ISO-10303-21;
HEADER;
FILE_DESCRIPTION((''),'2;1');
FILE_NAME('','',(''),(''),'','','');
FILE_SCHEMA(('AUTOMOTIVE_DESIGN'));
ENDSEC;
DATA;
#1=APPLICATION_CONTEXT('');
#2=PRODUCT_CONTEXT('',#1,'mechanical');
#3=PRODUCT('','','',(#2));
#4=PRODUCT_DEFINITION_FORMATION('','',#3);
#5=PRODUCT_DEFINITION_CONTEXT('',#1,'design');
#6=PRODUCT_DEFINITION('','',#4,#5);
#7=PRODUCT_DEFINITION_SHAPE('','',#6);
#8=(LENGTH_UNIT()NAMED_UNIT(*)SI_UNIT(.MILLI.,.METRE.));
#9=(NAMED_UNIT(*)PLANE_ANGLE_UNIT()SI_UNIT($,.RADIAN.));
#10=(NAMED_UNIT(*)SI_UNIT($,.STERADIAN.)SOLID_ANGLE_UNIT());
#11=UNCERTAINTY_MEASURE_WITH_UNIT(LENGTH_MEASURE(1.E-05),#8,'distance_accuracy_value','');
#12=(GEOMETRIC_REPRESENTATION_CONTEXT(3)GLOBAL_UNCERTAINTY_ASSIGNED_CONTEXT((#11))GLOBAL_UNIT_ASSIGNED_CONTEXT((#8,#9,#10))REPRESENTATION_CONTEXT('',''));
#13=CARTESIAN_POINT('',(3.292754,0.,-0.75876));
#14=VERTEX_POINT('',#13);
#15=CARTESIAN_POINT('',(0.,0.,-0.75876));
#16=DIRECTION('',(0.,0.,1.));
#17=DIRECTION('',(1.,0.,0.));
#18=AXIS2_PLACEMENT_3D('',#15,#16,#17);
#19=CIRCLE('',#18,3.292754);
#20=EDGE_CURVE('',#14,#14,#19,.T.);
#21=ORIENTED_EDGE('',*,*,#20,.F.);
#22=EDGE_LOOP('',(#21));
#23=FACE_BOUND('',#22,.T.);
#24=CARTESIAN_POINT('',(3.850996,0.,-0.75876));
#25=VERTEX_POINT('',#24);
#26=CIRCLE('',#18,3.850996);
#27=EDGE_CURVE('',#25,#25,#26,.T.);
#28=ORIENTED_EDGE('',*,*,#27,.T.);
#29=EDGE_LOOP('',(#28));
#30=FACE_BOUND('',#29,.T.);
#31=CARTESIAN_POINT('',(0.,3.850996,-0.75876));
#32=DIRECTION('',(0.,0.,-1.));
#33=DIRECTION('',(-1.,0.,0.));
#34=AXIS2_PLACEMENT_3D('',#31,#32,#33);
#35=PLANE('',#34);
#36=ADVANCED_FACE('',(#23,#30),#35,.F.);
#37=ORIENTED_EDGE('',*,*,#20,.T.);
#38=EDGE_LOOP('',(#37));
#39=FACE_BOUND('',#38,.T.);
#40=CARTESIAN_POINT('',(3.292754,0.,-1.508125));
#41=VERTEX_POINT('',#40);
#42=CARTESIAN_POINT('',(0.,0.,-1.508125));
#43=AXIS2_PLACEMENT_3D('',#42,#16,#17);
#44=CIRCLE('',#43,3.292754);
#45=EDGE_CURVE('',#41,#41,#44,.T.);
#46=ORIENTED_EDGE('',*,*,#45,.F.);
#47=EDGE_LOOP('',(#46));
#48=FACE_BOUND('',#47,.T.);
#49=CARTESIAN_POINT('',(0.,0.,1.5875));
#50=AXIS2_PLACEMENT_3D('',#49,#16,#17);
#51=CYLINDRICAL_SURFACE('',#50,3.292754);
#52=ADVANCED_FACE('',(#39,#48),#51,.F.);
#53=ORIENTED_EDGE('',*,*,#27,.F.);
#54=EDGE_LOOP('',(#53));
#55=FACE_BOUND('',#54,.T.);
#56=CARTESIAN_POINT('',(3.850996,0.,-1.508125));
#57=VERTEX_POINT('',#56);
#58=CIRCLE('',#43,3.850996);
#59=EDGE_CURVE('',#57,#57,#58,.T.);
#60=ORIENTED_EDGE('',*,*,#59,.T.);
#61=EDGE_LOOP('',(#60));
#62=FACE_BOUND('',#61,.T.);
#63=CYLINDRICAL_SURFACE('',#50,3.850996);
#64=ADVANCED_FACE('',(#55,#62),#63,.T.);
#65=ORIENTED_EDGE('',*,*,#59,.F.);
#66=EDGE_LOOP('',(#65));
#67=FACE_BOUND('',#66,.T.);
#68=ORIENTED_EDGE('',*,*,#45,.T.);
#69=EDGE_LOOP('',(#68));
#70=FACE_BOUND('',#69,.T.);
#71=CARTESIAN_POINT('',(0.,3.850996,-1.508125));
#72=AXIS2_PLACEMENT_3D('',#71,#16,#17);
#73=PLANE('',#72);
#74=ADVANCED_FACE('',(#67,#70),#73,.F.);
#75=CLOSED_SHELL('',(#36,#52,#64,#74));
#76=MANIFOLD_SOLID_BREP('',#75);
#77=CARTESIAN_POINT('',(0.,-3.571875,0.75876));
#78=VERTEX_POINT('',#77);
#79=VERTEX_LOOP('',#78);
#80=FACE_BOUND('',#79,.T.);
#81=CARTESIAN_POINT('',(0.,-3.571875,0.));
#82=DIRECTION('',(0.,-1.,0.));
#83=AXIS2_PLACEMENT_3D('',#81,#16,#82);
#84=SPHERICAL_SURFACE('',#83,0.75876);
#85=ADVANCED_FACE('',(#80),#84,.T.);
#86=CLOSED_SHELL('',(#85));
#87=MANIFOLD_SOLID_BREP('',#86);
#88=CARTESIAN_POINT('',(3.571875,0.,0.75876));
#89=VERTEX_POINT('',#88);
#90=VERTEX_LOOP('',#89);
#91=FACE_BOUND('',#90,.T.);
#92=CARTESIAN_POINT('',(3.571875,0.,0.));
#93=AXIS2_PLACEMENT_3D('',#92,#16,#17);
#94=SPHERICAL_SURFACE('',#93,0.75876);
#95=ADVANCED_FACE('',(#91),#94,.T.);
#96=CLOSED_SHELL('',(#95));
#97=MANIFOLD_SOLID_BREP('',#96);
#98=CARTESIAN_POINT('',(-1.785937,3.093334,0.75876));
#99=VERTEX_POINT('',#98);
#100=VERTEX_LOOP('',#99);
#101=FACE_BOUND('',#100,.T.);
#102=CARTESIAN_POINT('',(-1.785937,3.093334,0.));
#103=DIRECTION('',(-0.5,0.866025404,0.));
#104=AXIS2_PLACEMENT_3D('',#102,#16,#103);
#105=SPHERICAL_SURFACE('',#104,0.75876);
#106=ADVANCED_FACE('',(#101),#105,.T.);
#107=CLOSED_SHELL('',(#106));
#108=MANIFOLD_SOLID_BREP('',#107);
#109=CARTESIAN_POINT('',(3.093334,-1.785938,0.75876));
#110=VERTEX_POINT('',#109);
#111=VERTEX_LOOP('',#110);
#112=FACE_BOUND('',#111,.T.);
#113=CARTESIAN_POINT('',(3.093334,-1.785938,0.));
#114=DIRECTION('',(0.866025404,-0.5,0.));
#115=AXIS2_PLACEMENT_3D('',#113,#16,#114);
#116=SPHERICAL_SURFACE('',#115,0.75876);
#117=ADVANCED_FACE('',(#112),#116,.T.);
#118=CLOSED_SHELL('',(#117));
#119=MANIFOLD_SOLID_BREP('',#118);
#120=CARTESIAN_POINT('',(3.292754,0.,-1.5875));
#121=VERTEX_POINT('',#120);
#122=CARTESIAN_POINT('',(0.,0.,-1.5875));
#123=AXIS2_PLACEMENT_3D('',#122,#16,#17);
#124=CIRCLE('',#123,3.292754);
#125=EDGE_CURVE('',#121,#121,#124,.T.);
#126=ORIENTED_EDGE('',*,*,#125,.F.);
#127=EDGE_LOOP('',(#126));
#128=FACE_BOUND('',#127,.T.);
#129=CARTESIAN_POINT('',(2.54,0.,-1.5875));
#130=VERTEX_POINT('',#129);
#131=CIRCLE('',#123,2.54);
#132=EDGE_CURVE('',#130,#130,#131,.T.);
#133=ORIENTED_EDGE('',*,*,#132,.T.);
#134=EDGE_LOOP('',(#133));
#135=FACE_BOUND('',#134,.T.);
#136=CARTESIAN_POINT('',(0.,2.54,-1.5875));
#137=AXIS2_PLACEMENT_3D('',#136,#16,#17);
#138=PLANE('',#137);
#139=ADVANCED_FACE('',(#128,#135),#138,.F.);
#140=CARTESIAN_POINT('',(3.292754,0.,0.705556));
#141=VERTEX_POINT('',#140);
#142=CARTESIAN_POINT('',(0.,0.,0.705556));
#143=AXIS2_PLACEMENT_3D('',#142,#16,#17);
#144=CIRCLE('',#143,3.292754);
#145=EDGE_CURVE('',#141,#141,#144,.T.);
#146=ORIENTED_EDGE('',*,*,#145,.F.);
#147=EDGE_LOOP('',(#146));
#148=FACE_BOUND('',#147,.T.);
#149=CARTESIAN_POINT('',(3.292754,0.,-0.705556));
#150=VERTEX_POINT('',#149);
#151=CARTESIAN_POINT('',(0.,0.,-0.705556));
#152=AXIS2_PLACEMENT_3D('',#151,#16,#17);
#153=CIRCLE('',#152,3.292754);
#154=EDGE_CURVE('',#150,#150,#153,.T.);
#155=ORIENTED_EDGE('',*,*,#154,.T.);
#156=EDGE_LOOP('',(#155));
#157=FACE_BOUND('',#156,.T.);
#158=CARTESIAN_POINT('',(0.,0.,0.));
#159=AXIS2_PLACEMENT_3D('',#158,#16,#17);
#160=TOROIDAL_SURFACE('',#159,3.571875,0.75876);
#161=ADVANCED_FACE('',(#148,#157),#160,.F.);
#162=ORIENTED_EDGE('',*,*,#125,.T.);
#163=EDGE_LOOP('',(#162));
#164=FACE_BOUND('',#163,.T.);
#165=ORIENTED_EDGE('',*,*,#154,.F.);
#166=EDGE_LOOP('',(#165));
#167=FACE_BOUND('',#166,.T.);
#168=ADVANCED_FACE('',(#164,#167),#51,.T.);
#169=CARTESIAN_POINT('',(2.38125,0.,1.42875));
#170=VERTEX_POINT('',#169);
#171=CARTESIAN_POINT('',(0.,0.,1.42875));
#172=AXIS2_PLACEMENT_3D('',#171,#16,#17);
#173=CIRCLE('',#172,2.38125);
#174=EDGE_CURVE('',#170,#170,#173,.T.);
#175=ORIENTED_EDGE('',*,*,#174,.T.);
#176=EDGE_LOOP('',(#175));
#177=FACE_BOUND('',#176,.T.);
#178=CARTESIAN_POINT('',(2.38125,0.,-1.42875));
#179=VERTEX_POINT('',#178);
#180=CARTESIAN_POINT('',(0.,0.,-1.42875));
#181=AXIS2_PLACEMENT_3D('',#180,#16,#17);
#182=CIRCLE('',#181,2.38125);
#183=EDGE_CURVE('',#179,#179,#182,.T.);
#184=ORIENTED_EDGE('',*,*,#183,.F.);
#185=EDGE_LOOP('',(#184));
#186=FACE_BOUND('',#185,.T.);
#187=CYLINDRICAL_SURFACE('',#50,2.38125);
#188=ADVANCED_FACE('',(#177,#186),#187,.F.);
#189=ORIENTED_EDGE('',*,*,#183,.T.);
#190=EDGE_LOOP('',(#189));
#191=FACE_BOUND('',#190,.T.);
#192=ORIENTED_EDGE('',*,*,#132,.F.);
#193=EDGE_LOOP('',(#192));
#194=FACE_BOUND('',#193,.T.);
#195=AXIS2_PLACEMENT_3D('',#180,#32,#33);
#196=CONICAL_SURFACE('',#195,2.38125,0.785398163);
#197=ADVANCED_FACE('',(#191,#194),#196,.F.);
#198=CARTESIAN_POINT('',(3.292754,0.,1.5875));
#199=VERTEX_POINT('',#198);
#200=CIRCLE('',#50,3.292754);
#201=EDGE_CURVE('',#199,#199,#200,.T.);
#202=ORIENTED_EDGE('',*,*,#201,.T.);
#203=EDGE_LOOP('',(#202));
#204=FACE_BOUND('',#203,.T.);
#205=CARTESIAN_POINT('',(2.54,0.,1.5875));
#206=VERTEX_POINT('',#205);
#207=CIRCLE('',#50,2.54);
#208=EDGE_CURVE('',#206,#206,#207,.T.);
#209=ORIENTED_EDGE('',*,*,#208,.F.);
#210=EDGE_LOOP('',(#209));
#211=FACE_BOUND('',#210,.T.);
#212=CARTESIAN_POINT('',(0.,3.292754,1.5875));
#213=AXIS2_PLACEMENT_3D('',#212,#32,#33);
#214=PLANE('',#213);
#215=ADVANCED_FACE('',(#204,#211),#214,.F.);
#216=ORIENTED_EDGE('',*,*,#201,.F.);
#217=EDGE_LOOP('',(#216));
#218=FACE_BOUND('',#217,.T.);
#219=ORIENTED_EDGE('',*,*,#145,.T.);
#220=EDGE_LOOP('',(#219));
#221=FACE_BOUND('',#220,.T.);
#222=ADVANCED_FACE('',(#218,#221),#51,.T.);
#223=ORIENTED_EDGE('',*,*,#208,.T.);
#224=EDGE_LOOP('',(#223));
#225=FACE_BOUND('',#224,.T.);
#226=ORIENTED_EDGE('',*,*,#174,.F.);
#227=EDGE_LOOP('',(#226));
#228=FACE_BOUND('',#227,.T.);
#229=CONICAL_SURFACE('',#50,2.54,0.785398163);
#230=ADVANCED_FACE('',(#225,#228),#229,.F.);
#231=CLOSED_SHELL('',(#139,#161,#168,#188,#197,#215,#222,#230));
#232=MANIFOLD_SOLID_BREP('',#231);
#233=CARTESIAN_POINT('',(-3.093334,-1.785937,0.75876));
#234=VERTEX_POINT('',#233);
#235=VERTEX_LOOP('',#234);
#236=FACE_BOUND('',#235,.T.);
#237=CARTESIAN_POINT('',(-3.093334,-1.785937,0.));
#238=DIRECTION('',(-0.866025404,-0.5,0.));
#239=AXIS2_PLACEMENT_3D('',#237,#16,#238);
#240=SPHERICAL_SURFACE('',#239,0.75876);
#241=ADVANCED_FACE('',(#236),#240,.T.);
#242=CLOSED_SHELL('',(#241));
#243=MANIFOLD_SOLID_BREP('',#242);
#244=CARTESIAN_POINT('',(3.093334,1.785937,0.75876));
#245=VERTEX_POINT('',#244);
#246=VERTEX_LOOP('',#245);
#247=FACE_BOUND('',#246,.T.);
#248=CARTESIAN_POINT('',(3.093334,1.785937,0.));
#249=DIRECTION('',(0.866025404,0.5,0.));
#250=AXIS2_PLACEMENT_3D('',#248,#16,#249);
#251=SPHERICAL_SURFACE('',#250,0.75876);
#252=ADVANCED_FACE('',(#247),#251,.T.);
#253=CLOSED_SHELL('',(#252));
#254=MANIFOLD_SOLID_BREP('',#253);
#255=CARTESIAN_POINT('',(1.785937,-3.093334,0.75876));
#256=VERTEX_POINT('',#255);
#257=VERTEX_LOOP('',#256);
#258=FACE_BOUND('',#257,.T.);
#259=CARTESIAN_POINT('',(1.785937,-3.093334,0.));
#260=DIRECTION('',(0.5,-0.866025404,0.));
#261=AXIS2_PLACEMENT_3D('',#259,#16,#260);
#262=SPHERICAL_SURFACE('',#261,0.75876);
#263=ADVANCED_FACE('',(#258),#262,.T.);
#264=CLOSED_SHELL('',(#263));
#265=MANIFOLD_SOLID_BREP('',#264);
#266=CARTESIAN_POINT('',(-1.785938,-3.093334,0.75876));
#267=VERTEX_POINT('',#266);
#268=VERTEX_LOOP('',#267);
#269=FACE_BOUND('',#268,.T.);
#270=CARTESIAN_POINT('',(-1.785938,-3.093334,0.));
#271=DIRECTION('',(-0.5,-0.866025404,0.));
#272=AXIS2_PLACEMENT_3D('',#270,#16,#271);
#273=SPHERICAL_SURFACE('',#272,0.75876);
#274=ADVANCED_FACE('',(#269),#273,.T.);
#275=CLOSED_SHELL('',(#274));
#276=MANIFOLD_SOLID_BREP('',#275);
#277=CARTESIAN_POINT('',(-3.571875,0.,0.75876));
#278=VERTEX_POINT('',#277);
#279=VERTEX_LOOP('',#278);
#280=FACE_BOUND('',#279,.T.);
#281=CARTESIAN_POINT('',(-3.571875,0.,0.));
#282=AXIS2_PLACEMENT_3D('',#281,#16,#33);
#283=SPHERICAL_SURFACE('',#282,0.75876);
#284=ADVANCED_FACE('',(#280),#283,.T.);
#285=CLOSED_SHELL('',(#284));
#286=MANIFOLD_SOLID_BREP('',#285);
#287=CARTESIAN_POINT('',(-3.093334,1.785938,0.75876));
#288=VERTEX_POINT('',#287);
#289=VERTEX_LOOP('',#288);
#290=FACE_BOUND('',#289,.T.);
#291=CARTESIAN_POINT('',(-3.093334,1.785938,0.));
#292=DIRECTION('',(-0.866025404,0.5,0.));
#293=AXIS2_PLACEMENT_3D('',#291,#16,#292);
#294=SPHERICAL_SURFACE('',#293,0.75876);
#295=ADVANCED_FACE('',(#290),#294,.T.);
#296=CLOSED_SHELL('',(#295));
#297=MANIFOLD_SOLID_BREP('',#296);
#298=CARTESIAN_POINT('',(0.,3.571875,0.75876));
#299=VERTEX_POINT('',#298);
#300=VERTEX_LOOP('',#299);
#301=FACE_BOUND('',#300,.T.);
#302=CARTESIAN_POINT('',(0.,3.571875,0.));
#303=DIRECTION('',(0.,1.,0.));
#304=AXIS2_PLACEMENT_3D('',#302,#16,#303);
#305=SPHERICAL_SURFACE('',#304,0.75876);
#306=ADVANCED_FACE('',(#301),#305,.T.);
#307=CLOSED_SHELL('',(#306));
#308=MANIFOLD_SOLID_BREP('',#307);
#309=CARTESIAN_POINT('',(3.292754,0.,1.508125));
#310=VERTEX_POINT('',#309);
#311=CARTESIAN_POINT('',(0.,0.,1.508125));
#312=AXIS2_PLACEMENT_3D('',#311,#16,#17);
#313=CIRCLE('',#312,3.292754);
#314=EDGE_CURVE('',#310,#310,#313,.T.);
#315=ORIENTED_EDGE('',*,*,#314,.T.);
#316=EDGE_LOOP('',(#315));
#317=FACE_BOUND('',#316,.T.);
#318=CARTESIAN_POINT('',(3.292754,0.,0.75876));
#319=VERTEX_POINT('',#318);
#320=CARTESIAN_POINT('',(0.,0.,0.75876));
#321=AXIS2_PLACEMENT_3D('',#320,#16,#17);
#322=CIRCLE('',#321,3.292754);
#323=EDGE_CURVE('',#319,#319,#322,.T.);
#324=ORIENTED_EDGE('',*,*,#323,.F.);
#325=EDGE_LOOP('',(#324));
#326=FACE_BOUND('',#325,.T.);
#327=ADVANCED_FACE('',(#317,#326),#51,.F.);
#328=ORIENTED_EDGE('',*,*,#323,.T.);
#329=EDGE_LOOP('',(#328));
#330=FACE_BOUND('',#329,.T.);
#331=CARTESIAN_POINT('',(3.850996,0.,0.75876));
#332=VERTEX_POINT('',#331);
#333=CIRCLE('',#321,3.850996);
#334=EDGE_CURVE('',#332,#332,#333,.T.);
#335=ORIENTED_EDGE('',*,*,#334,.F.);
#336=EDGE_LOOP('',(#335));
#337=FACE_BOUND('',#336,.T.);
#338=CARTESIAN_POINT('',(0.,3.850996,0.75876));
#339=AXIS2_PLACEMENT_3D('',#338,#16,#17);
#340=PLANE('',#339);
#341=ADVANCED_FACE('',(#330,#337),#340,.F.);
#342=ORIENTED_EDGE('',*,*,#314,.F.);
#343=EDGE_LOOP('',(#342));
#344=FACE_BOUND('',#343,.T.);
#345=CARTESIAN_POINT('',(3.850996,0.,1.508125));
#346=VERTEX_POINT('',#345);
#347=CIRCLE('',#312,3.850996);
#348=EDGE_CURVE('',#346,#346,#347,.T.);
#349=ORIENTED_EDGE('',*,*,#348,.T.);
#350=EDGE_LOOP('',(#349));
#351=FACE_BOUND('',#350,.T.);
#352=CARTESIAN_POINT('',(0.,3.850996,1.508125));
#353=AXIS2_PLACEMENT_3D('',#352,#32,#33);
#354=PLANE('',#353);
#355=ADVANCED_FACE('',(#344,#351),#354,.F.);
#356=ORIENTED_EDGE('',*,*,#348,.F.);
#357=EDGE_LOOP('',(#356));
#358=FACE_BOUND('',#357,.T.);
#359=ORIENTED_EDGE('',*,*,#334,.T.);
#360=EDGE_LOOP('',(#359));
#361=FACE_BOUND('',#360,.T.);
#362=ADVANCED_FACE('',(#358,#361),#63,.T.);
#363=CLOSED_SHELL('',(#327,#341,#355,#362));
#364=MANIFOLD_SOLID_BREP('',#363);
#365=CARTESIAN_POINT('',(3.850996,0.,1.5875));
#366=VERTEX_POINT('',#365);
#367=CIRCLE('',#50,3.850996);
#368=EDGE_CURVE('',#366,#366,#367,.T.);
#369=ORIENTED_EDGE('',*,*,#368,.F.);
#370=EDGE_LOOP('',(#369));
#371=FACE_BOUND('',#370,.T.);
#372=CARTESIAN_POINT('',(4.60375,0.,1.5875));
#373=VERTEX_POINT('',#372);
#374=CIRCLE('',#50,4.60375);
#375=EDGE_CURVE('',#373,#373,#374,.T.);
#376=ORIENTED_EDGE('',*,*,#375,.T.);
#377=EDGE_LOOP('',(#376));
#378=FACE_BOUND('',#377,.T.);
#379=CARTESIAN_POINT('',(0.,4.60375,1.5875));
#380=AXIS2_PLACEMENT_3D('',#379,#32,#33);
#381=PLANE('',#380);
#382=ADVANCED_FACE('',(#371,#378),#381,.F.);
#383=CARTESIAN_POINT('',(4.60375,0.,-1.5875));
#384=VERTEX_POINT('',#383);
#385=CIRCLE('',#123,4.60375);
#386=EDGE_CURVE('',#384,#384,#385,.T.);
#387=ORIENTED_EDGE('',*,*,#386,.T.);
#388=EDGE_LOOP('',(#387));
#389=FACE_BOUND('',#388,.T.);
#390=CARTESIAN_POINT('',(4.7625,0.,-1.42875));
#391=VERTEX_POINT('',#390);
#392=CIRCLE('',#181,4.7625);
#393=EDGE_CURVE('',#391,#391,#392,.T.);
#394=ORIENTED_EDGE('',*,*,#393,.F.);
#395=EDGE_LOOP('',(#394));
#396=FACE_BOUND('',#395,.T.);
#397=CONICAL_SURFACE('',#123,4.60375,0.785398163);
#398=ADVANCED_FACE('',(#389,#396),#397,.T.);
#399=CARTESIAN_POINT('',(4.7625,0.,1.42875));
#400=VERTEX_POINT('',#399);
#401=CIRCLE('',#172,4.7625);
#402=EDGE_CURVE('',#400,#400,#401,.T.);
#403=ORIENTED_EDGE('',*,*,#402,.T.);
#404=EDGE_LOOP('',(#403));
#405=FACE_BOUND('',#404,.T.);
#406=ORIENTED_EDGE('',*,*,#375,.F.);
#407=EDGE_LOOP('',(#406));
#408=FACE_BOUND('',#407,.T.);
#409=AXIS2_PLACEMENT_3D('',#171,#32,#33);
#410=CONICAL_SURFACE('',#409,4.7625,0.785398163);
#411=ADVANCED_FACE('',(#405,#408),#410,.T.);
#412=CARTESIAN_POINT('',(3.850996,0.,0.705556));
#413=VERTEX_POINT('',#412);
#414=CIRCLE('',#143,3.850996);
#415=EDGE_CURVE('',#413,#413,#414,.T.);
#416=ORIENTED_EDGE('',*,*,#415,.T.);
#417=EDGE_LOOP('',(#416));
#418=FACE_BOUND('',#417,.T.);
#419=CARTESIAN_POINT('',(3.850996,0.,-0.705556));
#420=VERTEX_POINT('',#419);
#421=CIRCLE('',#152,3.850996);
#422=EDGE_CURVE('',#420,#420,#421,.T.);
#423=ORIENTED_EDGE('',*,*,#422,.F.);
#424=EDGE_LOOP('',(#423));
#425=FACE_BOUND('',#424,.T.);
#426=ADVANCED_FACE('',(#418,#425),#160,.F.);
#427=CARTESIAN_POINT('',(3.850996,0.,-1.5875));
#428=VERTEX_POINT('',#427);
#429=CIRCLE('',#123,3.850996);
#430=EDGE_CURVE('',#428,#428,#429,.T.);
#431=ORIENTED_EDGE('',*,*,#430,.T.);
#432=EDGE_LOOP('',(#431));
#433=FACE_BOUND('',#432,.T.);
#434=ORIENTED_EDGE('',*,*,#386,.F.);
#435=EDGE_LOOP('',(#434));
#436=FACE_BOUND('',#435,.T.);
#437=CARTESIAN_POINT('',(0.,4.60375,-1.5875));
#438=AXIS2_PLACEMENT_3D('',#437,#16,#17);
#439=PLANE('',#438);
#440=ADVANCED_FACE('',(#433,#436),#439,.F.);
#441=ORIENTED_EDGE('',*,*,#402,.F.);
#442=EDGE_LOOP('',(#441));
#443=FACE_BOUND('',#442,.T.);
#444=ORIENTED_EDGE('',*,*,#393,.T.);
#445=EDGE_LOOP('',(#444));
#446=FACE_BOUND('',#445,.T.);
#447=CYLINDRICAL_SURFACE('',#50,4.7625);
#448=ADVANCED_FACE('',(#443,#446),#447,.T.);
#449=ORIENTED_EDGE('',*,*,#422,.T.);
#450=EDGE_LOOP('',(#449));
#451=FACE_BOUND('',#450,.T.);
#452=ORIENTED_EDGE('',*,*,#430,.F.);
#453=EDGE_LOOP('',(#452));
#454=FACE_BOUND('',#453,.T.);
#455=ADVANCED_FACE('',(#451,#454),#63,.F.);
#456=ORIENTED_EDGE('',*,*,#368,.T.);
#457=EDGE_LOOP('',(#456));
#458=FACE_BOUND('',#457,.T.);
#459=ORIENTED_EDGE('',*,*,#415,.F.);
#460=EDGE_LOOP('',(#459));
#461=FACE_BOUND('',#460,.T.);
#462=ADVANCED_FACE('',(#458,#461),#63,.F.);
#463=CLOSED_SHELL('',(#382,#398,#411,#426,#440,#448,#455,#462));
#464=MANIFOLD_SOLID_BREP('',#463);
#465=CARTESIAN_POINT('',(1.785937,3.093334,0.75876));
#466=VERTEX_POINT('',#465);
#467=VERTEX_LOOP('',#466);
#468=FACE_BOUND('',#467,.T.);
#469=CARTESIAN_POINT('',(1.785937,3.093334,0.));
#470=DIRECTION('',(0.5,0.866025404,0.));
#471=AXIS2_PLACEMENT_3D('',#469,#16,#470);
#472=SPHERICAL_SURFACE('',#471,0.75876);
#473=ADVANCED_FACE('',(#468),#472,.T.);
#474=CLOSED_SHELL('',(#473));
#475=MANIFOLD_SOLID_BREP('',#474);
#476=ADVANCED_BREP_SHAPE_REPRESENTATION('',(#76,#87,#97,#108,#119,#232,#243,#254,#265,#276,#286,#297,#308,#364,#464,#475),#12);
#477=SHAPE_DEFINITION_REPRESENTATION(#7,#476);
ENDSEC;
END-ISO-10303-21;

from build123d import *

# Parameters (mm, degrees)
CIRPATTERN1_COUNT = 12
SKETCH5_W         = 0.749364756
SKETCH5_H         = 0.558241758


with BuildPart() as part:
    # Sketch1 → Revolve1 (revolve)
    with BuildSketch(Plane(origin=(0, 0, 0), x_dir=(0, 0, -1), z_dir=(1, 0, 0))):
        with BuildLine():
            Line((1.42875, 4.7625), (-1.42875, 4.7625))
            Line((-1.42875, 4.7625), (-1.5875, 4.60375))
            Line((-1.5875, 4.60375), (-1.5875, 3.850995879))
            Line((-1.5875, 3.850995879), (-0.705555556, 3.850995879))
            ThreePointArc((-0.705555556, 3.850995879), (0, 4.330635244), (0.705555556, 3.850995879))
            Line((0.705555556, 3.850995879), (1.5875, 3.850995879))
            Line((1.5875, 3.850995879), (1.5875, 4.60375))
            Line((1.5875, 4.60375), (1.42875, 4.7625))
        make_face()
    revolve(axis=Axis((0, 0, 1.5875), (0, 0, -1)))


with BuildPart() as body_2:
    # Sketch3 → Revolve3 (revolve)
    with BuildSketch(Plane(origin=(0, 0, 0), x_dir=(0, 0, -1), z_dir=(1, 0, 0))):
        with BuildLine():
            Line((-0.705555556, 3.292754121), (-1.5875, 3.292754121))
            Line((-1.5875, 3.292754121), (-1.5875, 2.54))
            Line((-1.5875, 2.54), (-1.42875, 2.38125))
            Line((-1.42875, 2.38125), (1.42875, 2.38125))
            Line((1.42875, 2.38125), (1.5875, 2.54))
            Line((1.5875, 2.54), (1.5875, 3.292754121))
            Line((1.5875, 3.292754121), (0.705555556, 3.292754121))
            ThreePointArc((0.705555556, 3.292754121), (0, 2.813114756), (-0.705555556, 3.292754121))
        make_face()
    revolve(axis=Axis((0, 0, 1.5875), (0, 0, -1)))


with BuildPart() as body_3:
    # Sketch4 → Revolve4 (revolve)
    with BuildSketch(Plane(origin=(0, 0, 0), x_dir=(0, 0, -1), z_dir=(1, 0, 0))):
        with BuildLine():
            Line((-0.758760244, 3.571875), (0.758760244, 3.571875))
            ThreePointArc((0.758760244, 3.571875), (0, 4.330635244), (-0.758760244, 3.571875))
        make_face()
    revolve(axis=Axis((0, 3.571875, 0.758760244), (0, 0, -1)))


with BuildPart() as cirpattern1_1:
    # CirPattern1: pattern copy
    add(body_3.part.rotate(Axis((0, 0, 0), (0, 0, 1)), 1 * 360 / CIRPATTERN1_COUNT))


with BuildPart() as cirpattern1_2:
    # CirPattern1: pattern copy
    add(body_3.part.rotate(Axis((0, 0, 0), (0, 0, 1)), 2 * 360 / CIRPATTERN1_COUNT))


with BuildPart() as cirpattern1_3:
    # CirPattern1: pattern copy
    add(body_3.part.rotate(Axis((0, 0, 0), (0, 0, 1)), 3 * 360 / CIRPATTERN1_COUNT))


with BuildPart() as cirpattern1_4:
    # CirPattern1: pattern copy
    add(body_3.part.rotate(Axis((0, 0, 0), (0, 0, 1)), 4 * 360 / CIRPATTERN1_COUNT))


with BuildPart() as cirpattern1_5:
    # CirPattern1: pattern copy
    add(body_3.part.rotate(Axis((0, 0, 0), (0, 0, 1)), 5 * 360 / CIRPATTERN1_COUNT))


with BuildPart() as cirpattern1_6:
    # CirPattern1: pattern copy
    add(body_3.part.rotate(Axis((0, 0, 0), (0, 0, 1)), 6 * 360 / CIRPATTERN1_COUNT))


with BuildPart() as cirpattern1_7:
    # CirPattern1: pattern copy
    add(body_3.part.rotate(Axis((0, 0, 0), (0, 0, 1)), 7 * 360 / CIRPATTERN1_COUNT))


with BuildPart() as cirpattern1_8:
    # CirPattern1: pattern copy
    add(body_3.part.rotate(Axis((0, 0, 0), (0, 0, 1)), 8 * 360 / CIRPATTERN1_COUNT))


with BuildPart() as cirpattern1_9:
    # CirPattern1: pattern copy
    add(body_3.part.rotate(Axis((0, 0, 0), (0, 0, 1)), 9 * 360 / CIRPATTERN1_COUNT))


with BuildPart() as cirpattern1_10:
    # CirPattern1: pattern copy
    add(body_3.part.rotate(Axis((0, 0, 0), (0, 0, 1)), 10 * 360 / CIRPATTERN1_COUNT))


with BuildPart() as cirpattern1_11:
    # CirPattern1: pattern copy
    add(body_3.part.rotate(Axis((0, 0, 0), (0, 0, 1)), 11 * 360 / CIRPATTERN1_COUNT))


with BuildPart() as body_15:
    # Sketch5 → Revolve5 (revolve)
    with BuildSketch(Plane(origin=(0, 0, 0), x_dir=(0, 0, -1), z_dir=(1, 0, 0))):
        with Locations((-1.133442622, 3.571875)):
            Rectangle(SKETCH5_W, SKETCH5_H)
        with Locations((1.133442622, 3.571875)):
            Rectangle(SKETCH5_W, SKETCH5_H)
    revolve(axis=Axis((0, 0, 1.5875), (0, 0, -1)))


solid = Compound([part.part, body_2.part, body_3.part, cirpattern1_1.part, cirpattern1_2.part, cirpattern1_3.part, cirpattern1_4.part, cirpattern1_5.part, cirpattern1_6.part, cirpattern1_7.part, cirpattern1_8.part, cirpattern1_9.part, cirpattern1_10.part, cirpattern1_11.part, body_15.part])
